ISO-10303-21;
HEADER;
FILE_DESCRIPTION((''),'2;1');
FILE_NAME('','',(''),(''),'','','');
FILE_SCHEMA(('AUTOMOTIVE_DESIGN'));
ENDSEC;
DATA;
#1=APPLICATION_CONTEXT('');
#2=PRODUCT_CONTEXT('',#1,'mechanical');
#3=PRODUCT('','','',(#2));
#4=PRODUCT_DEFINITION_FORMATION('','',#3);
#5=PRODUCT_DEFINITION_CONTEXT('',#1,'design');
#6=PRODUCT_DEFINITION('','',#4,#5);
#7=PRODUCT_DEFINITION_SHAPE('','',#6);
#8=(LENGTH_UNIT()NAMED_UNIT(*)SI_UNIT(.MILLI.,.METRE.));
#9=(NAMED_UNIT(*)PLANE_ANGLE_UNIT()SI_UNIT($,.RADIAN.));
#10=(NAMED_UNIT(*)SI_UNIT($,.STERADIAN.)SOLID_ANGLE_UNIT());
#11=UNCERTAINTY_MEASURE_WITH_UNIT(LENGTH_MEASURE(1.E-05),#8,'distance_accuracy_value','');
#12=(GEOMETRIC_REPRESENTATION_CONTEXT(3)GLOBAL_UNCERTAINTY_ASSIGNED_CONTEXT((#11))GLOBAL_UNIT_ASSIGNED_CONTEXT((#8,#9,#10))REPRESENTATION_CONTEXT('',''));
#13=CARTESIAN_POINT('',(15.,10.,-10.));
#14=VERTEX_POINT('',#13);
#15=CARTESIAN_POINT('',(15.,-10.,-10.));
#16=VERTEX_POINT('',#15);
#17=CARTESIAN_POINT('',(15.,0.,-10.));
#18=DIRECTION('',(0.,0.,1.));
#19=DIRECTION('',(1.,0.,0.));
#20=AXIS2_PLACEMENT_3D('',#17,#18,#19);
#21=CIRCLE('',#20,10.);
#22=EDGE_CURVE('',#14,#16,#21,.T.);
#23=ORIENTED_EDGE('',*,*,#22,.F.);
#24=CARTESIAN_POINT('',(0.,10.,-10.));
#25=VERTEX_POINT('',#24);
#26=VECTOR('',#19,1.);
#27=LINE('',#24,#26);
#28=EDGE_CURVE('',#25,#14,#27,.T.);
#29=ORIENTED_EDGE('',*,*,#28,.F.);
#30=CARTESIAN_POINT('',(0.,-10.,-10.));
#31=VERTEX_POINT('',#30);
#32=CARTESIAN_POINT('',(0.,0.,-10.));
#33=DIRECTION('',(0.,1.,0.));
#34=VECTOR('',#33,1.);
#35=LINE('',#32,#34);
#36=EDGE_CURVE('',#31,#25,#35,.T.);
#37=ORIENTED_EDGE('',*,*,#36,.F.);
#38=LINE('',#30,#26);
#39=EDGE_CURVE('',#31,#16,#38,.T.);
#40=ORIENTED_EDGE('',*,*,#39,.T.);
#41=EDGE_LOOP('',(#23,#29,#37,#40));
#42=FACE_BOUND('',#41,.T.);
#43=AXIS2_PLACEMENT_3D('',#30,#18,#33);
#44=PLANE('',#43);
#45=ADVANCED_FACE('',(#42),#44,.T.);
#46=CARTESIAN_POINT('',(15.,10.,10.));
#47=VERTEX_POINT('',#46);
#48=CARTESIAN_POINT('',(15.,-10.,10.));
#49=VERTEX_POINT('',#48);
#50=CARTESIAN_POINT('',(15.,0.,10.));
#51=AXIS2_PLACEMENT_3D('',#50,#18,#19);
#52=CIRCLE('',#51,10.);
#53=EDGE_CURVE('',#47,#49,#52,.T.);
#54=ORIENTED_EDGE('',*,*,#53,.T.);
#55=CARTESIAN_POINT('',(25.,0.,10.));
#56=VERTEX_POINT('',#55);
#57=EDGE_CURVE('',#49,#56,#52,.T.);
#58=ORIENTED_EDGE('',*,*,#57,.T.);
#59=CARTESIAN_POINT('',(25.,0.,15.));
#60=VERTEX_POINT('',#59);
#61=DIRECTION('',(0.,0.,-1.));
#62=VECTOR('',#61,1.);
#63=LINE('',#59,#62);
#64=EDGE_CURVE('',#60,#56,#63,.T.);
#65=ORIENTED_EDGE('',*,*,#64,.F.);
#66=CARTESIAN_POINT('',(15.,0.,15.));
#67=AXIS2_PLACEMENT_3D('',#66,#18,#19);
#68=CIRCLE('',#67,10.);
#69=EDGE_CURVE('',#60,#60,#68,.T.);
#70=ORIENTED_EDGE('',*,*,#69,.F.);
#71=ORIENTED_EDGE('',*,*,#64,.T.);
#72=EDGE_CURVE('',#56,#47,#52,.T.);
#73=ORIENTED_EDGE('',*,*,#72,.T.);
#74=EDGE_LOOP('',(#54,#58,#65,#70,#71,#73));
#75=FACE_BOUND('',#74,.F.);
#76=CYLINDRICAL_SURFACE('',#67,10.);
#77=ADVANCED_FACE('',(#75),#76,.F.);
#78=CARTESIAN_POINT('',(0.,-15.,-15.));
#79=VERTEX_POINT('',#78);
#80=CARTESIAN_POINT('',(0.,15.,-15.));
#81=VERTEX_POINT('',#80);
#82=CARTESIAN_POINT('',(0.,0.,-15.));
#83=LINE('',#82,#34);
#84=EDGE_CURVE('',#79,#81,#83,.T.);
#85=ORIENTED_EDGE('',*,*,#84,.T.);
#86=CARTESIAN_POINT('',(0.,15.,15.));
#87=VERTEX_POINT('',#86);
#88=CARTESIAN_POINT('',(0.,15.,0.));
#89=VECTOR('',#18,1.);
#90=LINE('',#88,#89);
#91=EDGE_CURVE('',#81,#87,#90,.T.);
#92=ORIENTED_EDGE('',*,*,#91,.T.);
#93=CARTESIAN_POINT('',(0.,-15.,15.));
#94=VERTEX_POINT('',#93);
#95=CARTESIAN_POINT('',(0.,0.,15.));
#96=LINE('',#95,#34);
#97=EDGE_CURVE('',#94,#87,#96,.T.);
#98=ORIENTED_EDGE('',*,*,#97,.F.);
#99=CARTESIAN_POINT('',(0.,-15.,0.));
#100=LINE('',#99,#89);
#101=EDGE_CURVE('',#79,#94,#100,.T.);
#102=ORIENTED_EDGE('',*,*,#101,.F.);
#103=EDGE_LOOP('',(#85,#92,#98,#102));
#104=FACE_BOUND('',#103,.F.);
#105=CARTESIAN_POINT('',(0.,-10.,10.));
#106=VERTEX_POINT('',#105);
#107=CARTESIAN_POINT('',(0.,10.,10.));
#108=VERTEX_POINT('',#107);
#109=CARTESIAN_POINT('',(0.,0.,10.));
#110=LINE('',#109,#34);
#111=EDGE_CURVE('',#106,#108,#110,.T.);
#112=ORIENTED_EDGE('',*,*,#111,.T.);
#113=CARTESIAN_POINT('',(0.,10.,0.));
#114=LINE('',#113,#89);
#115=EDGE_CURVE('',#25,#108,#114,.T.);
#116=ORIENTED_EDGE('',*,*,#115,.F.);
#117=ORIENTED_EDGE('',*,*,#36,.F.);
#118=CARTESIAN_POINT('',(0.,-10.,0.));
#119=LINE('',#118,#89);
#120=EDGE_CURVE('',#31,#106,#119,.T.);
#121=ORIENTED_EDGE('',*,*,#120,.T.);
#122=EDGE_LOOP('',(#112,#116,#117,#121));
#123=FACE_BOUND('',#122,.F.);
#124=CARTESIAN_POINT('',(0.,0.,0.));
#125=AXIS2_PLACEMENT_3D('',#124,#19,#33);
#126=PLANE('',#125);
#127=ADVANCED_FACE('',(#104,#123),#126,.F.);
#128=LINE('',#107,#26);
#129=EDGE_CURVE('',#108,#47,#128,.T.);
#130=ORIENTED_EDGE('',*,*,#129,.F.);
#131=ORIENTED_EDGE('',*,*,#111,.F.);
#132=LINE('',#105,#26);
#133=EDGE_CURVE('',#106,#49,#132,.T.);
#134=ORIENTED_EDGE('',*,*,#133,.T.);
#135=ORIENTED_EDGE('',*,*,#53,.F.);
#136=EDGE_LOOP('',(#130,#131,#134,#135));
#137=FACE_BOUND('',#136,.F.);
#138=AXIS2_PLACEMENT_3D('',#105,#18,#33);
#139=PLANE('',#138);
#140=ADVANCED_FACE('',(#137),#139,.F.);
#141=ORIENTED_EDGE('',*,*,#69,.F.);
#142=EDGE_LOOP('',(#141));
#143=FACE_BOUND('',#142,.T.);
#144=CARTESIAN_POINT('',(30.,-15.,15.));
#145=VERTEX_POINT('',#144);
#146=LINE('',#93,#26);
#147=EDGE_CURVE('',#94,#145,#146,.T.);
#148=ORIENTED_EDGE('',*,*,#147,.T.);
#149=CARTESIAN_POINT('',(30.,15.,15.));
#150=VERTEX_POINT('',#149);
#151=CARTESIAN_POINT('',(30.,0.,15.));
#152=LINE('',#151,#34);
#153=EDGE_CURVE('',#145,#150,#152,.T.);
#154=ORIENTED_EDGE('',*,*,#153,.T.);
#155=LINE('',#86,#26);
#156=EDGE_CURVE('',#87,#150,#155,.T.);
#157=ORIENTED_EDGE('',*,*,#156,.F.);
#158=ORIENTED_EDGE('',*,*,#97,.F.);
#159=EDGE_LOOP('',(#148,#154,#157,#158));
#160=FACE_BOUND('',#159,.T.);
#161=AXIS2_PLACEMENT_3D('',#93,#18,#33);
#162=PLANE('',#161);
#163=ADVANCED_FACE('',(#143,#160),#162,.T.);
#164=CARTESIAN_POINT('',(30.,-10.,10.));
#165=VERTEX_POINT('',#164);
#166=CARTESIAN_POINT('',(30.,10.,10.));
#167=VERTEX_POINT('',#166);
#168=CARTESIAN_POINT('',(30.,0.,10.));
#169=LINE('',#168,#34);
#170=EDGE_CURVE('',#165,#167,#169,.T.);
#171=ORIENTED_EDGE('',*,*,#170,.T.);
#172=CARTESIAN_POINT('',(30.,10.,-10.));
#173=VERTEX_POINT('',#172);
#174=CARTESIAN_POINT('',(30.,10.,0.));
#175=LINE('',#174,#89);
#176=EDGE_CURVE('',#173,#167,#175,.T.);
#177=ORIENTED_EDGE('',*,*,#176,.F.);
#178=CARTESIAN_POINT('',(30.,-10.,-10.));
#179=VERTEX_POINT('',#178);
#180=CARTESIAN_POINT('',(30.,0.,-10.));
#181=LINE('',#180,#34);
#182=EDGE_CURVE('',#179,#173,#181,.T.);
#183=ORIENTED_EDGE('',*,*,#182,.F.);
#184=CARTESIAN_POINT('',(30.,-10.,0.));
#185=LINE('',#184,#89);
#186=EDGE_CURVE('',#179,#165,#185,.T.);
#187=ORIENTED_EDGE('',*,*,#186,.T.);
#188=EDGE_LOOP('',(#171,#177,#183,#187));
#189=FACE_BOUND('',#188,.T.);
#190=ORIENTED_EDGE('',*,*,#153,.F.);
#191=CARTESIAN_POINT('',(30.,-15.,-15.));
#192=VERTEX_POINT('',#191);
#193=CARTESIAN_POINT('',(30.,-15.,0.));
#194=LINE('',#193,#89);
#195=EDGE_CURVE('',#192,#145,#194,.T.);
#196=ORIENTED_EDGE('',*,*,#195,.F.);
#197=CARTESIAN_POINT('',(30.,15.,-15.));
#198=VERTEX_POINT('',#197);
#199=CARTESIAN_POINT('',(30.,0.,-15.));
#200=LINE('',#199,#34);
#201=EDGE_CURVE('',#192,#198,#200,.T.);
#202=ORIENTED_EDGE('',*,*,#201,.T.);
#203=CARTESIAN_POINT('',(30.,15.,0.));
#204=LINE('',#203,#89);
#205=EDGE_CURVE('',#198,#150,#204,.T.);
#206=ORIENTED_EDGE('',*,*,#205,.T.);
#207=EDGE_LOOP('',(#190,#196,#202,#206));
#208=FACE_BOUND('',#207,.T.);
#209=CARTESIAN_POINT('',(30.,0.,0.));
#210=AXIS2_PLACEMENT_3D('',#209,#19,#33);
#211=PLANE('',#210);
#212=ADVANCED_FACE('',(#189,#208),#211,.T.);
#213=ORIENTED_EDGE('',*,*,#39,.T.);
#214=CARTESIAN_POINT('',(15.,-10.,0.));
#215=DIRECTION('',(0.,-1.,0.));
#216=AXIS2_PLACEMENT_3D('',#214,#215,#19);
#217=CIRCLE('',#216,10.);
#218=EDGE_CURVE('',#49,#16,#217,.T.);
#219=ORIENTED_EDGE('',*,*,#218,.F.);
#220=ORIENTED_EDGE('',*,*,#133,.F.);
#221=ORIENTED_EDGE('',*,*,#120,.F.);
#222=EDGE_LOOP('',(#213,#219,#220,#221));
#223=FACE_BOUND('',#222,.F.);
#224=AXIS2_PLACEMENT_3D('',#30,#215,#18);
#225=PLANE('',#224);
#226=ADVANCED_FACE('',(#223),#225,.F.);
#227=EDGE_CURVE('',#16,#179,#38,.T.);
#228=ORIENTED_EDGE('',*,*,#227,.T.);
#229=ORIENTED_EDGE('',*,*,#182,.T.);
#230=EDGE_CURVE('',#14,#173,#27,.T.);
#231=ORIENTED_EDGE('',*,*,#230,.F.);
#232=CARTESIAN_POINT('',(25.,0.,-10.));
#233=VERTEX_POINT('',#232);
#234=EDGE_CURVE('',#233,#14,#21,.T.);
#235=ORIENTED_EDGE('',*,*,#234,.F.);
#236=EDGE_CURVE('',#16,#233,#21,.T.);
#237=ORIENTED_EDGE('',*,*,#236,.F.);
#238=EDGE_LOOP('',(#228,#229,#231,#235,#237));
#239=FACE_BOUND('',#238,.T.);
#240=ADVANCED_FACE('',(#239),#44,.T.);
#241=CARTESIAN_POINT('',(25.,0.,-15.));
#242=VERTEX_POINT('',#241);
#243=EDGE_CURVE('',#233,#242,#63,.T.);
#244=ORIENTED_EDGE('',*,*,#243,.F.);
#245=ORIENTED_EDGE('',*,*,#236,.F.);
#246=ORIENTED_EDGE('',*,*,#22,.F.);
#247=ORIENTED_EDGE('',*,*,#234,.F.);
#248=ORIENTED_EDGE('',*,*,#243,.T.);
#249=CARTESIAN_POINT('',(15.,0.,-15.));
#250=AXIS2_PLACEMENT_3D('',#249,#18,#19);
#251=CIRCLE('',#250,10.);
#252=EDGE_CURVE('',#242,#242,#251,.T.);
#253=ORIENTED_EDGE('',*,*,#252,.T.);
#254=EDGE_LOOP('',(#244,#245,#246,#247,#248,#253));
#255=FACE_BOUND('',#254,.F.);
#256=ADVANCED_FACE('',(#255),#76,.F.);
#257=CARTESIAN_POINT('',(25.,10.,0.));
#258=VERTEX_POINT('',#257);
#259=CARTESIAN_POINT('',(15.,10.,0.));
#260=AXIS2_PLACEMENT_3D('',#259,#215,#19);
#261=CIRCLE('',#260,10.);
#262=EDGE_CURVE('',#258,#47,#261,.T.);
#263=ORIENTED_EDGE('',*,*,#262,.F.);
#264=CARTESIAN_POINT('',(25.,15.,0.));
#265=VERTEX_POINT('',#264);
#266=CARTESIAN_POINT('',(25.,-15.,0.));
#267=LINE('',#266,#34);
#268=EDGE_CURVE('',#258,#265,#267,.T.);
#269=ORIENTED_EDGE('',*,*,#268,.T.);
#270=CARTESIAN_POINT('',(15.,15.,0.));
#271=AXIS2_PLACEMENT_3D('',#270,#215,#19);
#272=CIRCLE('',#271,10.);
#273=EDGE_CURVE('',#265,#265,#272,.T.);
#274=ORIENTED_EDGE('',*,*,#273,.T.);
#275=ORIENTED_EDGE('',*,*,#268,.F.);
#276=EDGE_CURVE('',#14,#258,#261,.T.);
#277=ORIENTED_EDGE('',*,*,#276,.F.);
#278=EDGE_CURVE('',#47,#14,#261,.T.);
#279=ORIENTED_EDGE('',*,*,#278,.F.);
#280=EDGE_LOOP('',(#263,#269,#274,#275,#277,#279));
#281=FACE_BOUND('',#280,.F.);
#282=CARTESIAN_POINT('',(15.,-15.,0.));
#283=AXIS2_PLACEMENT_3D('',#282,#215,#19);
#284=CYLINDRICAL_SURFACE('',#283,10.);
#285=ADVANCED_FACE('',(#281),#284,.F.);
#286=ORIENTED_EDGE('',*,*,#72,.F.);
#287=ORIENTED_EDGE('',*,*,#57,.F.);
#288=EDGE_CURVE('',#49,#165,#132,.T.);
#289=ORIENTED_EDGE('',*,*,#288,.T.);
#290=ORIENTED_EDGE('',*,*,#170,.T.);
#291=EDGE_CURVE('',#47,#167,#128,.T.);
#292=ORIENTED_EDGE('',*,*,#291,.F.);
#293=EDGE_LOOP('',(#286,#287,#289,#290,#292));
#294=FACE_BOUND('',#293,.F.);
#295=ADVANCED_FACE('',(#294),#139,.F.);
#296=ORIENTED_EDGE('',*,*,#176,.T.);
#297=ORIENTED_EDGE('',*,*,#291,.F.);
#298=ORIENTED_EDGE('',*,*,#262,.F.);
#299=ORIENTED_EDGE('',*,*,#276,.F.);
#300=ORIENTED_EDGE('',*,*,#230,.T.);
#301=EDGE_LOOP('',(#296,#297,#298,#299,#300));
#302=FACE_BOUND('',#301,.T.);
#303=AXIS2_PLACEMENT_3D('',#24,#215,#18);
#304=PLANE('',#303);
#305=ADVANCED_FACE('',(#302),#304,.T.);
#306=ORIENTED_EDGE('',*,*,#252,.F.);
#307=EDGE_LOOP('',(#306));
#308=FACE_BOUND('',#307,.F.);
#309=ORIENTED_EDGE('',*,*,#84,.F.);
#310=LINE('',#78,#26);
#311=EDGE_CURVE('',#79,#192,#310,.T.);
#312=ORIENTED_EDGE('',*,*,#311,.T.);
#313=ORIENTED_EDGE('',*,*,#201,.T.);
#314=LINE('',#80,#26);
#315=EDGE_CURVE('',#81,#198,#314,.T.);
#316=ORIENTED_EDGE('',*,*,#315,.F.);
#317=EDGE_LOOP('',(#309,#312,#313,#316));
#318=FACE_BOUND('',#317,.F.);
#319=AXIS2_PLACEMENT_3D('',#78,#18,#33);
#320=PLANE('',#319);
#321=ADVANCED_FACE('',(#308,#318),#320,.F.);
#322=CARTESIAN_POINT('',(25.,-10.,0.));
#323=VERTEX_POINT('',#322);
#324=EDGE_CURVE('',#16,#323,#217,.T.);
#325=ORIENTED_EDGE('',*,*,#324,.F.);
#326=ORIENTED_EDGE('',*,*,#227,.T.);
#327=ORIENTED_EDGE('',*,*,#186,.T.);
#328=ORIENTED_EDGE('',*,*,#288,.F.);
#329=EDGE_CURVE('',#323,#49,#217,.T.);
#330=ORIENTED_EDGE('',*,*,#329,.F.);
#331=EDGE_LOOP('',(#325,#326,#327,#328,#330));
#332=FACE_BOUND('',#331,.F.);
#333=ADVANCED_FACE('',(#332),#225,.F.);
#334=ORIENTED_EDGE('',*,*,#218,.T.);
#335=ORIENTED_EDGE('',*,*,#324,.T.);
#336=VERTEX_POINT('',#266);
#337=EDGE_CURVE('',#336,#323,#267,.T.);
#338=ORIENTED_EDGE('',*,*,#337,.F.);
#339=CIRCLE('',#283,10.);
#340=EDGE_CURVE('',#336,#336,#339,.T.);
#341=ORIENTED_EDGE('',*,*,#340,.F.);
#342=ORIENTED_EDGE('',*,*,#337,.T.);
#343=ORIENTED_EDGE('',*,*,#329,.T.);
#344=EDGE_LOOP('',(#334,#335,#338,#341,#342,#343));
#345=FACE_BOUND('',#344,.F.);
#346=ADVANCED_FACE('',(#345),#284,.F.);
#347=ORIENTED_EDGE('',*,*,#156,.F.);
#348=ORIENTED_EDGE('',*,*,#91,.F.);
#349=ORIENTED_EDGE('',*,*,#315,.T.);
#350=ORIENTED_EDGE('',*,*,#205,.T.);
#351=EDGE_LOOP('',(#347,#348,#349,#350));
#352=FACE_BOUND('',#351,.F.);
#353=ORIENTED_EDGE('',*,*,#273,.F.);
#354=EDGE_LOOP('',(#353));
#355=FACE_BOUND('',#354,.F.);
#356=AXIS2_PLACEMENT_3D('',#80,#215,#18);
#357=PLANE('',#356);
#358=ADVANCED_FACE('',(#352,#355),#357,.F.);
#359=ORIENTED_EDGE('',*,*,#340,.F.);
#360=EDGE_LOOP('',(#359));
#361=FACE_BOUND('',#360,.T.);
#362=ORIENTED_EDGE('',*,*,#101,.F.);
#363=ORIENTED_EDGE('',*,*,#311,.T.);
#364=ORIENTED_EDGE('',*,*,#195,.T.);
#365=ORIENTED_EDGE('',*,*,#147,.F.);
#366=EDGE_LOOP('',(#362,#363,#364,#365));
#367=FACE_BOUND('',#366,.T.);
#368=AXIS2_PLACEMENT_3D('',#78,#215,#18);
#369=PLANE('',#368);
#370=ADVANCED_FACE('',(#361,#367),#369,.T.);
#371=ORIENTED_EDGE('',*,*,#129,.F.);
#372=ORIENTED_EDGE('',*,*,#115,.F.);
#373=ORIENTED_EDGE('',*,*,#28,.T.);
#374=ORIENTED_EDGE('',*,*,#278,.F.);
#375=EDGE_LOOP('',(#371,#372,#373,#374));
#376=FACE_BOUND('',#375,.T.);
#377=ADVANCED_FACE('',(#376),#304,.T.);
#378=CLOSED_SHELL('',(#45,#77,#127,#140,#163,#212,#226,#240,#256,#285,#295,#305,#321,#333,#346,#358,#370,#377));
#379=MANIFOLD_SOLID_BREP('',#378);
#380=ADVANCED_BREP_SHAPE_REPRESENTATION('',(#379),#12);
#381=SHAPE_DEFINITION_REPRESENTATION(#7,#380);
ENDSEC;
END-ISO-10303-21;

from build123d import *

# Parameters (mm, degrees)
F0_W     = 30
F0_H     = 30
F0_W_2   = 20
F0_H_2   = 20
F1_DEPTH = 30
F2_R     = 10
F3_DEPTH = 30.001
F4_R     = 10
F5_DEPTH = 30.001


with BuildPart() as f1:
    # F0 (on Right) → F1 (new body)
    with BuildSketch(Plane.YZ):
        Rectangle(F0_W, F0_H)
        Rectangle(F0_W_2, F0_H_2, mode=Mode.SUBTRACT)
    extrude(amount=F1_DEPTH)

    # F2 (on face) → F3 (cut, through all)
    with BuildSketch(Plane.XZ.offset(15)):
        with Locations((15, 0)):
            Circle(F2_R)
    extrude(amount=-F3_DEPTH, mode=Mode.SUBTRACT)

    # F4 (on face) → F5 (cut, through all)
    with BuildSketch(Plane.XY.offset(15)):
        with Locations((15, 0)):
            Circle(F4_R)
    extrude(amount=-F5_DEPTH, mode=Mode.SUBTRACT)


solid = f1.part
